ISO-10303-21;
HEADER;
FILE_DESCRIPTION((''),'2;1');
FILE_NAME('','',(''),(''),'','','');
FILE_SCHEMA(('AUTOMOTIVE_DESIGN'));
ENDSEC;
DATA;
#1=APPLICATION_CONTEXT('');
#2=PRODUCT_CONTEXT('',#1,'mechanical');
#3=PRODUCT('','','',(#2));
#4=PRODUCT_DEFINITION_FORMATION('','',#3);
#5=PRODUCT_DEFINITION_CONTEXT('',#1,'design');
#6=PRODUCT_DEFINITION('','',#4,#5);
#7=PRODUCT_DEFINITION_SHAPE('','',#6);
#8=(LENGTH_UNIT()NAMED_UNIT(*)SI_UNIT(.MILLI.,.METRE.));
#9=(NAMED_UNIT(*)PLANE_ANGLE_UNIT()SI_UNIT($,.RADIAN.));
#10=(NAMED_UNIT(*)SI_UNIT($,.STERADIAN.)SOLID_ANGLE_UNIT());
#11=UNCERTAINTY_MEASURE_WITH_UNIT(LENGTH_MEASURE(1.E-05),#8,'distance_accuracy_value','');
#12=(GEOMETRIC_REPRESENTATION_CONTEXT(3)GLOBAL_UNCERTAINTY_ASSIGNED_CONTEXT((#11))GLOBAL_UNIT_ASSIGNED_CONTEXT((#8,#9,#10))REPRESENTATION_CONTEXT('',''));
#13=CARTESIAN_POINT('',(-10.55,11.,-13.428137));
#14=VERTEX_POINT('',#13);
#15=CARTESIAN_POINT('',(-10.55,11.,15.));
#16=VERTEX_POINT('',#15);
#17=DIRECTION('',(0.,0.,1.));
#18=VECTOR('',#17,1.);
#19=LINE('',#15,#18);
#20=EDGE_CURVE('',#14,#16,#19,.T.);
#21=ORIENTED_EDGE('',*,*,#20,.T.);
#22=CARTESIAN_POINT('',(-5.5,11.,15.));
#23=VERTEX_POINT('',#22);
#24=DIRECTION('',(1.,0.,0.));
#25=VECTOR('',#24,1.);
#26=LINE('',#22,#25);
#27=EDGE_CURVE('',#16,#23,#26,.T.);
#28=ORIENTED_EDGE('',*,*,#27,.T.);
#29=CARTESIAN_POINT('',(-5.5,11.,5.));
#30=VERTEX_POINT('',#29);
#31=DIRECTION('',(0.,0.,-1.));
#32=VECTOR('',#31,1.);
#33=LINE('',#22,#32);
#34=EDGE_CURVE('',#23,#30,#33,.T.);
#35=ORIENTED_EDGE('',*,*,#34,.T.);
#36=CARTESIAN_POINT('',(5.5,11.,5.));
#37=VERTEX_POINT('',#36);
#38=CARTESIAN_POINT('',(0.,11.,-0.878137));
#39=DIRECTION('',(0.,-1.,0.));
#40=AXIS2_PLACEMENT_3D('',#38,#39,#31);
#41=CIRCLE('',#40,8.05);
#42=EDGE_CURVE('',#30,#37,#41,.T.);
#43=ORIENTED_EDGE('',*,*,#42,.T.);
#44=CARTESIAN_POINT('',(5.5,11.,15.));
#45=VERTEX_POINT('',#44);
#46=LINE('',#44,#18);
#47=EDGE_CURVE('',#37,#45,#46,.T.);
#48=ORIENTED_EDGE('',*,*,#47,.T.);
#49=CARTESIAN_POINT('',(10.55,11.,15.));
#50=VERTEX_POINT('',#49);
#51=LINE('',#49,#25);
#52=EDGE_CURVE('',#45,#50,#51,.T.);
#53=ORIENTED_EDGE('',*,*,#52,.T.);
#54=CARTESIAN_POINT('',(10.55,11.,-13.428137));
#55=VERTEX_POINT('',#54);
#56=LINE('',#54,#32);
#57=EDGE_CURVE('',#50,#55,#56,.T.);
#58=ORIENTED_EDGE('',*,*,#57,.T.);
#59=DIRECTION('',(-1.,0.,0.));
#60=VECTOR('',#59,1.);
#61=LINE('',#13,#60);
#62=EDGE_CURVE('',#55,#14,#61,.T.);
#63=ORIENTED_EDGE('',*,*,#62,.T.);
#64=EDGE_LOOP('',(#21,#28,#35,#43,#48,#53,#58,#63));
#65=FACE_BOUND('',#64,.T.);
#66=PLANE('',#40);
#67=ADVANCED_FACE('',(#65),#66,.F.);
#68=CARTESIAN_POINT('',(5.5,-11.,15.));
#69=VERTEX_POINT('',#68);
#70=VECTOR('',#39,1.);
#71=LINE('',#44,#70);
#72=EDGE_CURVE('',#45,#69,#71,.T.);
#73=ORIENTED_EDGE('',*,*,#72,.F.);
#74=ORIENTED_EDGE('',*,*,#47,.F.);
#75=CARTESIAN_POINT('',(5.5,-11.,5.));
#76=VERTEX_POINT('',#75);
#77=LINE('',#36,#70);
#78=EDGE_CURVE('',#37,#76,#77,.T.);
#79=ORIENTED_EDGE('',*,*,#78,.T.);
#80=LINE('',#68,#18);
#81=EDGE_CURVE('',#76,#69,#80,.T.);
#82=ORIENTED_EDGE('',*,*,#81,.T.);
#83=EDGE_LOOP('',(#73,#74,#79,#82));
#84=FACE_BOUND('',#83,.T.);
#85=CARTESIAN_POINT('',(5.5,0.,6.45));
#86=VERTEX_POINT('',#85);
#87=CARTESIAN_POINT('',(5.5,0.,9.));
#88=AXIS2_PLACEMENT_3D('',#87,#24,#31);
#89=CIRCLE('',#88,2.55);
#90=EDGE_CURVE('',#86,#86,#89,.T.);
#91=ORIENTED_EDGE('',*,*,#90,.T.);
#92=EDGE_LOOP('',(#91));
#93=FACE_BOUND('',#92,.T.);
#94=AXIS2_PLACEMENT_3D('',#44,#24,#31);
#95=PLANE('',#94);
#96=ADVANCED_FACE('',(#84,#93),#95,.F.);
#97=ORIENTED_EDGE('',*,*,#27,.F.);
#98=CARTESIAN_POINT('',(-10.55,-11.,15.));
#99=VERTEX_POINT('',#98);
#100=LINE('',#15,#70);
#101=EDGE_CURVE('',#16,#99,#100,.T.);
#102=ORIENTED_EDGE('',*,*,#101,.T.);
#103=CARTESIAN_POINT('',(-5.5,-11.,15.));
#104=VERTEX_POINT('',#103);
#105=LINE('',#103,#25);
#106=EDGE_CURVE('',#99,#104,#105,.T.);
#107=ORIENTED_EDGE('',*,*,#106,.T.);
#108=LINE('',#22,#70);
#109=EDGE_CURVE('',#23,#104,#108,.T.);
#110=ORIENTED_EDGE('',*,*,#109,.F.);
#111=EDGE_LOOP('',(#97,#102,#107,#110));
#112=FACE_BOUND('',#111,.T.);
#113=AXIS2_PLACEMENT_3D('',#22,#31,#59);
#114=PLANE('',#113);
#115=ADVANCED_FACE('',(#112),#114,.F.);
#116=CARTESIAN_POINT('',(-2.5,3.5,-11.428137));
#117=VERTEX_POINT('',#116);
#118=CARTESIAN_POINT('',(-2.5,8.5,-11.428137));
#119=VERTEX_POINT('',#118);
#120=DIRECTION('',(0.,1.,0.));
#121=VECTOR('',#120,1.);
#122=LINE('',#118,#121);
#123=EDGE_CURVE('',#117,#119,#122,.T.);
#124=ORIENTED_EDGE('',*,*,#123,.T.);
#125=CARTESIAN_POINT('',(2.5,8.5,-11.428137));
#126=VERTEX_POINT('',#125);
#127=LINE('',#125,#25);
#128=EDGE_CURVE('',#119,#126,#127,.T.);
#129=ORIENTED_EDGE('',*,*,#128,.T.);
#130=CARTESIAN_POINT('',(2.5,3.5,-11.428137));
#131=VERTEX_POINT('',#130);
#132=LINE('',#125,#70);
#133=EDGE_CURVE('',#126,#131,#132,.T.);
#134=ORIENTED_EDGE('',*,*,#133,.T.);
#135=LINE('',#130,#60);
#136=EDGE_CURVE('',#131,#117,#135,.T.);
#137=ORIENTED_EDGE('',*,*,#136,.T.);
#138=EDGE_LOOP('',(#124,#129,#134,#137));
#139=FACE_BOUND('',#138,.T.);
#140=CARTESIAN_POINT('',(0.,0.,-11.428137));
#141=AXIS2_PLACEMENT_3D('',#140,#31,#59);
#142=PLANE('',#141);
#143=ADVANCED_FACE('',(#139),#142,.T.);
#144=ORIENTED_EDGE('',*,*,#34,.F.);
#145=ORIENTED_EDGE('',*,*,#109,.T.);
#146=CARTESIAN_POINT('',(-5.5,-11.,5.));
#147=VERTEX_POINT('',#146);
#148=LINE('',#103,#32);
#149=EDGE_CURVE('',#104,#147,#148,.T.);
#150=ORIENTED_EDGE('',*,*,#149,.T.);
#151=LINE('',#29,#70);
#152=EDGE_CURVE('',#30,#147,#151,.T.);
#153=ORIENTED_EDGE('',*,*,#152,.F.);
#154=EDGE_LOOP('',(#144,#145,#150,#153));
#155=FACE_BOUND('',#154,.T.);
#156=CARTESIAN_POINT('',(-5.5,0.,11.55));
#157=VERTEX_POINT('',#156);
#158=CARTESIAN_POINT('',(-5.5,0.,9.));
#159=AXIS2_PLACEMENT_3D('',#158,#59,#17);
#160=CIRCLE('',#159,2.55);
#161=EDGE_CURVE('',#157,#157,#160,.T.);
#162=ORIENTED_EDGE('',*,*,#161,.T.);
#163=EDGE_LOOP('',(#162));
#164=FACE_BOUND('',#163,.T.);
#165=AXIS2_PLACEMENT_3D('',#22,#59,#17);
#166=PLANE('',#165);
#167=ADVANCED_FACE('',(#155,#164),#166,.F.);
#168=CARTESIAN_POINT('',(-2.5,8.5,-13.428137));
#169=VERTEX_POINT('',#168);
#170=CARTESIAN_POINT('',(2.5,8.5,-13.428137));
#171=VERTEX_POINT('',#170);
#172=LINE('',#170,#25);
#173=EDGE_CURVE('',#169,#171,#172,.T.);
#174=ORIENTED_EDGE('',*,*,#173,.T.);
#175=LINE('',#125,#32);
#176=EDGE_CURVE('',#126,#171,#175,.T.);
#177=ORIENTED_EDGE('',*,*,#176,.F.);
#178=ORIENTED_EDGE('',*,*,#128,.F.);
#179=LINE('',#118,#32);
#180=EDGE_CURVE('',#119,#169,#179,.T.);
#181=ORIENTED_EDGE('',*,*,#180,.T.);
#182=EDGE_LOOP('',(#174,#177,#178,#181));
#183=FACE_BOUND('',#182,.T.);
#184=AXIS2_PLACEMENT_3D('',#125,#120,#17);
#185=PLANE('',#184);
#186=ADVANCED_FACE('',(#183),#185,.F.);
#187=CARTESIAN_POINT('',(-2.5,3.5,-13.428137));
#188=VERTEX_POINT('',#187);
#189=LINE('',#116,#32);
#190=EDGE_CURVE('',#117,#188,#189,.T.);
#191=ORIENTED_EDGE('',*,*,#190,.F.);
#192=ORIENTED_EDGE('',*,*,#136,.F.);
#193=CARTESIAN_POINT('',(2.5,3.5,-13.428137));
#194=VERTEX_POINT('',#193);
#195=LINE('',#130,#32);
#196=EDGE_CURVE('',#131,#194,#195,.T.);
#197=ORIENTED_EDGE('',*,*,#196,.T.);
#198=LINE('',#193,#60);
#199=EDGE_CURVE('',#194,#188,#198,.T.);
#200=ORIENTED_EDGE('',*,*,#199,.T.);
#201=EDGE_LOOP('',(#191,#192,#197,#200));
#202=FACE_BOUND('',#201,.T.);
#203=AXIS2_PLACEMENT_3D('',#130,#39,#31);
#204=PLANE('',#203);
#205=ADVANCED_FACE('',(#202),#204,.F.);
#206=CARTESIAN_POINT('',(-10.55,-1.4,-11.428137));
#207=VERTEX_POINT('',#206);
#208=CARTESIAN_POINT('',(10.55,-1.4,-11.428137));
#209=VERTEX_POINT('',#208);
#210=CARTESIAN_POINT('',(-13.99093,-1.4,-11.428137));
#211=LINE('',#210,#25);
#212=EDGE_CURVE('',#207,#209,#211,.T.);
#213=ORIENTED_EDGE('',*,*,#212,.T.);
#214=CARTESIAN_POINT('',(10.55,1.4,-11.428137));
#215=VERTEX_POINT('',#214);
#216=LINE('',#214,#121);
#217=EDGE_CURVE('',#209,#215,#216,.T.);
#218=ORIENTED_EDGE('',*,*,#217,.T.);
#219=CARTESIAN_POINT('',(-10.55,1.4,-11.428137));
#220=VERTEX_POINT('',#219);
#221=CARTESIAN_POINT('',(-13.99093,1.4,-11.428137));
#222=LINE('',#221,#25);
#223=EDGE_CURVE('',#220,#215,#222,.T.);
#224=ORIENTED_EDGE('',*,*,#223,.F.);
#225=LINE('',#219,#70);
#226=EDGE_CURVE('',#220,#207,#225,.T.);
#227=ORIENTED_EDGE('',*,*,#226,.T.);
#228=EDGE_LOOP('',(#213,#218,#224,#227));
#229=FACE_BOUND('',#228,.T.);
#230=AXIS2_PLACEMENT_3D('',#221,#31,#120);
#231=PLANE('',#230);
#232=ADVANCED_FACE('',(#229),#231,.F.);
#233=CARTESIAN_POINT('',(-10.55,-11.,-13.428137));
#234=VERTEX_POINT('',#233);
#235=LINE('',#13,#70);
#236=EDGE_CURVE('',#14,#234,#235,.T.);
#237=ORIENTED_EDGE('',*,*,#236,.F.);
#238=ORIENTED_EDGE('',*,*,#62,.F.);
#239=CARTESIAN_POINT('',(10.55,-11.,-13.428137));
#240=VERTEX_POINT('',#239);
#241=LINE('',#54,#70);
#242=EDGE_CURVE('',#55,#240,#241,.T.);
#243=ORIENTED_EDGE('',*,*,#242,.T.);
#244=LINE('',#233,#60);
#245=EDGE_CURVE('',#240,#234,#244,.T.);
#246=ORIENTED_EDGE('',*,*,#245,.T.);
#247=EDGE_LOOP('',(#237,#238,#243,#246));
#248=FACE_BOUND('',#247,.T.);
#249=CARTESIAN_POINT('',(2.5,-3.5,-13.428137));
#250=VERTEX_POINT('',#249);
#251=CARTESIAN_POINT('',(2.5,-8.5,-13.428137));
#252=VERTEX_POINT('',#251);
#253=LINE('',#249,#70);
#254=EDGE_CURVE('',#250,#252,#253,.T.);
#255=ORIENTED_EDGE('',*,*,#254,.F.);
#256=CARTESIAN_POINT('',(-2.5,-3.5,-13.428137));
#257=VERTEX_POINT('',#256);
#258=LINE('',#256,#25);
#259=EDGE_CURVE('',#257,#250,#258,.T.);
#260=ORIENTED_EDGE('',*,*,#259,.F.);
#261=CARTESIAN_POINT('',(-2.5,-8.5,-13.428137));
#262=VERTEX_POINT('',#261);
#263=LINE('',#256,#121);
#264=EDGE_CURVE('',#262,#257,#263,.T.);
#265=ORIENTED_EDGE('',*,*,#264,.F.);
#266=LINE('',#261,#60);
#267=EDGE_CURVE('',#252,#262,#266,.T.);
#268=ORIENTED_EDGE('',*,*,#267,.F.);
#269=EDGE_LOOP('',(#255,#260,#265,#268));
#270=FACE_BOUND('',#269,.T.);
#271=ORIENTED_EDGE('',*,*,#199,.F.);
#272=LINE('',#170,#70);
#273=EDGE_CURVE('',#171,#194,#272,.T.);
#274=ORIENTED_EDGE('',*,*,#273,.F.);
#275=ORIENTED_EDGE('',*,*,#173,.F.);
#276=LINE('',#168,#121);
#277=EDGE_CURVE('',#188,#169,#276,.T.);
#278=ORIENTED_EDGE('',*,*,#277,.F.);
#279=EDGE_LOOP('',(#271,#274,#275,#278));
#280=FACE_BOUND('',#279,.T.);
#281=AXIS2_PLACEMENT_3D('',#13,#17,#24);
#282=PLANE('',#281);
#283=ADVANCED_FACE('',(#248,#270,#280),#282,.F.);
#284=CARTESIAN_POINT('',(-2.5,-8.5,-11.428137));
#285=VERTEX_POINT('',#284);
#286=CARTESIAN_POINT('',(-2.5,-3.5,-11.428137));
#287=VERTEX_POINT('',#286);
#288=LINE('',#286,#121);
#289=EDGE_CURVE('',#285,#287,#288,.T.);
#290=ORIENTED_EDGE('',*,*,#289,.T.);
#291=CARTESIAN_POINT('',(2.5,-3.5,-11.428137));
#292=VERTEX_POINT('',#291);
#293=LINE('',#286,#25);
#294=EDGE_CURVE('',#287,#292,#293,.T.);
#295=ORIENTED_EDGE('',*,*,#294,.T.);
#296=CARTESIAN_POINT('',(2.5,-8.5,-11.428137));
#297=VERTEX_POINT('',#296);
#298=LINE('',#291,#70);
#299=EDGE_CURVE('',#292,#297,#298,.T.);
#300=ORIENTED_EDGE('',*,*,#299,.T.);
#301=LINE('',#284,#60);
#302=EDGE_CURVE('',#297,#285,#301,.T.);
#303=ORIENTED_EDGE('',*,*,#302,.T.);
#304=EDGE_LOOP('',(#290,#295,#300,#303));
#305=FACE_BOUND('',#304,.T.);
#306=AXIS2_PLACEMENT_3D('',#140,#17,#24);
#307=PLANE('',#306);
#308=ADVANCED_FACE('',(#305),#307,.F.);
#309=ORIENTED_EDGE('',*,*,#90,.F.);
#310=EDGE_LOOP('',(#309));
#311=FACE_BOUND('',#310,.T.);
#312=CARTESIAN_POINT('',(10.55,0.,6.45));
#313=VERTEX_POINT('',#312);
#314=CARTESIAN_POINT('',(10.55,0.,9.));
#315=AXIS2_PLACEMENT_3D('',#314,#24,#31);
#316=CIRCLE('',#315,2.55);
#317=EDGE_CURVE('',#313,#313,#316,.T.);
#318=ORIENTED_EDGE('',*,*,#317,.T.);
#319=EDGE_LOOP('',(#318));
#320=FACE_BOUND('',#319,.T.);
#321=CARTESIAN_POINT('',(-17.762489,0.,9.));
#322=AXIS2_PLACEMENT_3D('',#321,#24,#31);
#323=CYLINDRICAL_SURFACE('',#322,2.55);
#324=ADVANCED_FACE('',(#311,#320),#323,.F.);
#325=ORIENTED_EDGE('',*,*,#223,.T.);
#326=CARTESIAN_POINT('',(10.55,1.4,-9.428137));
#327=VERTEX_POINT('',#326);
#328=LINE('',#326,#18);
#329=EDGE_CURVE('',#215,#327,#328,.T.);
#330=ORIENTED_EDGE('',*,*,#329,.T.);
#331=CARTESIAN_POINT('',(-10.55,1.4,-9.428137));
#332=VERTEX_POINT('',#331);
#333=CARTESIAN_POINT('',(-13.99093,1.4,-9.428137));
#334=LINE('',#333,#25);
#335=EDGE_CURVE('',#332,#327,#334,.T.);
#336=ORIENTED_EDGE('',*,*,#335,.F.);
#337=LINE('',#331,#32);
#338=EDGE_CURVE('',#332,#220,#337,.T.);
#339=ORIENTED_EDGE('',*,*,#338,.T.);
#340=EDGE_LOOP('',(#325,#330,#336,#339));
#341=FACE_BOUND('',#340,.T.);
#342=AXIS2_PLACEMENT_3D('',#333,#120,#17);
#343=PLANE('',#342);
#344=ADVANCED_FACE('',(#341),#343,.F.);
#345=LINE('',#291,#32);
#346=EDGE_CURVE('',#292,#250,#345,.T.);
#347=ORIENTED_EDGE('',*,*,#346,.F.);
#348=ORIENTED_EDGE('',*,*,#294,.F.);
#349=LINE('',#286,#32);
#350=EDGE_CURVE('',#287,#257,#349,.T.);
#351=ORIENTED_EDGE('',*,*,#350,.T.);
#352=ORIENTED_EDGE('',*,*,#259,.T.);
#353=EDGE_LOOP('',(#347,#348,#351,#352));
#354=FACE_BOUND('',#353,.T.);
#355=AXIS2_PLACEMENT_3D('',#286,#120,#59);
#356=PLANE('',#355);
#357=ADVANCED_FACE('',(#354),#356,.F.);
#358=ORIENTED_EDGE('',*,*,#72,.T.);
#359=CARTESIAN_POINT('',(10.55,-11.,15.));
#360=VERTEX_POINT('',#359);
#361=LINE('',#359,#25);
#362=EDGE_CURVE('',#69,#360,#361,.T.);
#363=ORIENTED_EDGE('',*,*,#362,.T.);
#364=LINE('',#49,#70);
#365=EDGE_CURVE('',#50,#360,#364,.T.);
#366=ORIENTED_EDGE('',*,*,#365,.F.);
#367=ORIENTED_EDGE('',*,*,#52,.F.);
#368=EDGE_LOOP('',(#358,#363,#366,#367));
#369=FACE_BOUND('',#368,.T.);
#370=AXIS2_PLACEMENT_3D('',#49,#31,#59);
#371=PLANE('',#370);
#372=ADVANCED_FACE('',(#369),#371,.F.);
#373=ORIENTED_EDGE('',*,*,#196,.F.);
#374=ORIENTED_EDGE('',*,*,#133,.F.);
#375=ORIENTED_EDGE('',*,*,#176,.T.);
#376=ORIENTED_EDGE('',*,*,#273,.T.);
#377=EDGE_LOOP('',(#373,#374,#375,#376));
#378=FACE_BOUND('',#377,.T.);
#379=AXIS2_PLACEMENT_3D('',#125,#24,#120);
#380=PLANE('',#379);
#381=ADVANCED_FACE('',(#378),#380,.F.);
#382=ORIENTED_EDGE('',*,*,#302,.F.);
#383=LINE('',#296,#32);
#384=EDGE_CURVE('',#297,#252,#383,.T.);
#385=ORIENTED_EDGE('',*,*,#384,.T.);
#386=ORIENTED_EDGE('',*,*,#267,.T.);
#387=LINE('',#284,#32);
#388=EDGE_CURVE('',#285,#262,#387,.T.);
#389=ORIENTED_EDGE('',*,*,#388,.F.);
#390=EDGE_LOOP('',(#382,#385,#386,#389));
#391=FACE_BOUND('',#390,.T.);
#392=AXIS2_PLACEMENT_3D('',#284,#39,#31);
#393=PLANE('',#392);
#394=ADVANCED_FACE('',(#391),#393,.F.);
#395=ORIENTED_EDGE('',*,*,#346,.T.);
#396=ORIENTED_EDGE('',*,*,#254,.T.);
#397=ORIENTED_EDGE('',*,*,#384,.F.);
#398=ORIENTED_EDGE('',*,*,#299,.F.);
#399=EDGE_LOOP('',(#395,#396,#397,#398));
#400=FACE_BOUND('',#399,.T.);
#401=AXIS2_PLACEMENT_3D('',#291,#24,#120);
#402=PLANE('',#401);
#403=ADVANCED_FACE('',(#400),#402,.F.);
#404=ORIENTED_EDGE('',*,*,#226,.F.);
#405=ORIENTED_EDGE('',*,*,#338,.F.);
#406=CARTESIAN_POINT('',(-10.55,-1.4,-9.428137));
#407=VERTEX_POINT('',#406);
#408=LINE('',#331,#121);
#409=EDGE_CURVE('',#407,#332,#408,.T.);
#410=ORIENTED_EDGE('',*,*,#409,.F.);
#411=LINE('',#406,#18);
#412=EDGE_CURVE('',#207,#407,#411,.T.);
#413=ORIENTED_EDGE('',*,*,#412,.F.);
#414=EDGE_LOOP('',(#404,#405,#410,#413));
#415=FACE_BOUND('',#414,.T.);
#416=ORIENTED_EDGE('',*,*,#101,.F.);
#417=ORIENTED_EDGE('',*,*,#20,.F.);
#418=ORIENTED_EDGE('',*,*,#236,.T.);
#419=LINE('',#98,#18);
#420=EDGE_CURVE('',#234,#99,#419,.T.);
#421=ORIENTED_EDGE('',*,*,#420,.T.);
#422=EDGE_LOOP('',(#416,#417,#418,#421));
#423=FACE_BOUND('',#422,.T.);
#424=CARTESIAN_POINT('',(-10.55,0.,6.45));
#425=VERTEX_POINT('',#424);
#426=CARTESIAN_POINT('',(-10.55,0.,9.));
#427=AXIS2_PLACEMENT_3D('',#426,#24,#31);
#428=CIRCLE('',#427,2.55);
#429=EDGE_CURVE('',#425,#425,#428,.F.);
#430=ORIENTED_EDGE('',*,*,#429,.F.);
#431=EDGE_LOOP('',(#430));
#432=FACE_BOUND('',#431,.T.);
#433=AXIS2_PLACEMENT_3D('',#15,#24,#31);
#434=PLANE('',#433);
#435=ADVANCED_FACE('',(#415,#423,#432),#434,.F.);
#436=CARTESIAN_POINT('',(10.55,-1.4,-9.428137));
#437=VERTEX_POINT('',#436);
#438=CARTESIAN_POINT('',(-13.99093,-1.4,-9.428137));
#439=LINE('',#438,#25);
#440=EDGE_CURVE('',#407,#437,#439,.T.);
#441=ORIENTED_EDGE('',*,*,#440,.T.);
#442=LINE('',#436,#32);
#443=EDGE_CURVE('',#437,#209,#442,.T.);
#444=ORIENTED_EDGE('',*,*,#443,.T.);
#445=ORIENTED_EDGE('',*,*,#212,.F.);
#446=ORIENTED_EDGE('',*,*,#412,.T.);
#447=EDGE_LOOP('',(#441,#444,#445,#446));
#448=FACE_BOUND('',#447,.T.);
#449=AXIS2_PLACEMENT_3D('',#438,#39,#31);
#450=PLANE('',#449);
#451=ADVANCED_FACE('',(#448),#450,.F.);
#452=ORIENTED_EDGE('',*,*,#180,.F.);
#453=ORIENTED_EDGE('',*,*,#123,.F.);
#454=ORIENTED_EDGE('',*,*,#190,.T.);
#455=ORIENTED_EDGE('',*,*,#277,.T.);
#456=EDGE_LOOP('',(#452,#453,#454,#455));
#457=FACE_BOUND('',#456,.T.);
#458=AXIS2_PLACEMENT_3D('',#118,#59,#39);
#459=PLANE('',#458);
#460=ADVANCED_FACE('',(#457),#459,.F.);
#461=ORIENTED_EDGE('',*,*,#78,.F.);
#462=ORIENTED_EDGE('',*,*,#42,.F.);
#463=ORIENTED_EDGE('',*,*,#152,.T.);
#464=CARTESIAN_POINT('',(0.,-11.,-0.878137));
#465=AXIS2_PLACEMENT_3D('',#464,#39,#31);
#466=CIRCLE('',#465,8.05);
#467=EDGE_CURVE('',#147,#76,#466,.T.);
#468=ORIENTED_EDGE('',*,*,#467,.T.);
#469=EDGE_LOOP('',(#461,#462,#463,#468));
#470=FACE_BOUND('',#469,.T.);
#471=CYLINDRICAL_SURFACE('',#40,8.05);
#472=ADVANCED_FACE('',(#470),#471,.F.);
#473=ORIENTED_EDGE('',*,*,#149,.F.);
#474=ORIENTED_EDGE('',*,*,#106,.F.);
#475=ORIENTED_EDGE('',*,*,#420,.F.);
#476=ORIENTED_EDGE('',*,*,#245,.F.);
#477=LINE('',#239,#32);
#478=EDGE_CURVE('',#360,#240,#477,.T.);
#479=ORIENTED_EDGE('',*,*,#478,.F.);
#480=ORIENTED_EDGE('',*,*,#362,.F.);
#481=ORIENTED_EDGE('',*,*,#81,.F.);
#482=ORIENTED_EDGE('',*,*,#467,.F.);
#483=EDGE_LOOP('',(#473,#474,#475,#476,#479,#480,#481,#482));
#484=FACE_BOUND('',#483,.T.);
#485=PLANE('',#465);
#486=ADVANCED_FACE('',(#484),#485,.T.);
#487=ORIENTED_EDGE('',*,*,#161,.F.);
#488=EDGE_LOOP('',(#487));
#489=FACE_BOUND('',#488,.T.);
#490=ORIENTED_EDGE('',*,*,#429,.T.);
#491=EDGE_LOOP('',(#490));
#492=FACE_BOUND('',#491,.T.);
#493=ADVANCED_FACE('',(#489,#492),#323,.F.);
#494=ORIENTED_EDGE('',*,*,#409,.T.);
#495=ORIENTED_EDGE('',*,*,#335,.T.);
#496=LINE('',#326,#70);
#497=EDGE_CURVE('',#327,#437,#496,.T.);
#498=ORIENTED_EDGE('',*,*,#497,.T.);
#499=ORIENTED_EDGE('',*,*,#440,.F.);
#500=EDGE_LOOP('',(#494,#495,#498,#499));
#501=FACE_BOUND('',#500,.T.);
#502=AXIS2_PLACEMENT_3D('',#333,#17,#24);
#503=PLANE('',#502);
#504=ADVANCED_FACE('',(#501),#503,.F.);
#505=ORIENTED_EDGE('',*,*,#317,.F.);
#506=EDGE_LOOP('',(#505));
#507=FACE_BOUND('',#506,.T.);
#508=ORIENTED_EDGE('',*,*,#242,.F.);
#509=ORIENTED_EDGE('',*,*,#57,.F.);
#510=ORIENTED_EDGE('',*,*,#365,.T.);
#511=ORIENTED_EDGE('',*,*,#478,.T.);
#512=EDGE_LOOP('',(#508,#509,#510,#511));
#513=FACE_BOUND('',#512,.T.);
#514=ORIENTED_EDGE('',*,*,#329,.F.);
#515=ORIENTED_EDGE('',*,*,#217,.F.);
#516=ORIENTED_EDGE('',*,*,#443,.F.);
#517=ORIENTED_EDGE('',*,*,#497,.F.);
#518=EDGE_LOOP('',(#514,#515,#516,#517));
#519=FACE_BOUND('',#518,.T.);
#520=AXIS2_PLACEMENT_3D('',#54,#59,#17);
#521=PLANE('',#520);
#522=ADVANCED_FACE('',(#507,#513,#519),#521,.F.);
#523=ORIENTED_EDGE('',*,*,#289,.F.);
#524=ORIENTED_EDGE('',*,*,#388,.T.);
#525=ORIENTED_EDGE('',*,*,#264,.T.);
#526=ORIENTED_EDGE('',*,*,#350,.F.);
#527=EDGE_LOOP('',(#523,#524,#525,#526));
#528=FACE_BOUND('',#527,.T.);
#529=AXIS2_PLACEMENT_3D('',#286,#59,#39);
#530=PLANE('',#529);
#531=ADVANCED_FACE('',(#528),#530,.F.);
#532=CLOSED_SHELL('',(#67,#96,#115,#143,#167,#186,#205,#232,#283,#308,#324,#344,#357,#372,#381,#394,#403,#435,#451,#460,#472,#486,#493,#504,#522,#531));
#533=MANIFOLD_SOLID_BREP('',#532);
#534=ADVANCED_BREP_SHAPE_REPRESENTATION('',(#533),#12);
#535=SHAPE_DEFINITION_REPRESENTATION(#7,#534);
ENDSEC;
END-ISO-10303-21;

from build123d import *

# Parameters (mm, degrees)
BOSS_EXTRUDE1_DEPTH = 11
CUT_EXTRUDE1_REACH  = 30.128
SKETCH2_R           = 2.55
SKETCH4_W           = 2
SKETCH4_H           = 2.8
CUT_EXTRUDE3_DEPTH  = 21.1
SKETCH5_W           = 5
SKETCH5_H           = 5
CUT_EXTRUDE5_DEPTH  = 2


with BuildPart() as part:
    # Sketch1 → Boss-Extrude1 (new, symmetric)
    with BuildSketch(Plane(origin=(0, 0, 0), x_dir=(1, 0, 0), z_dir=(0, 1, 0))):
        with BuildLine():
            Line((-5.5, -15), (-10.55, -15))
            Line((-10.55, -15), (-10.55, 13.42813746))
            Line((-10.55, 13.42813746), (10.55, 13.42813746))
            Line((10.55, 13.42813746), (10.55, -15))
            Line((10.55, -15), (5.5, -15))
            Line((5.5, -15), (5.5, -5))
            ThreePointArc((5.5, -5), (0, 8.92813746), (-5.5, -5))
            Line((-5.5, -5), (-5.5, -15))
        make_face()
    extrude(amount=BOSS_EXTRUDE1_DEPTH, both=True)

    # Cut-Extrude1: up to this face of the body (flat: up to its plane)
    cut_extrude1_end = Plane(part.part.faces().sort_by_distance((-10.55, 0, 0.78593127))[0])
    # Sketch2 → Cut-Extrude1 (cut, up to the picked face)
    with BuildSketch(Plane(origin=(10.55, 0, 0), x_dir=(0, 0, -1), z_dir=(1, 0, 0)), mode=Mode.PRIVATE) as cut_extrude1_sk1:
        with Locations((-9, 0)):
            Circle(SKETCH2_R)
    cut_extrude1_tool1 = split(extrude(cut_extrude1_sk1.sketch, amount=-CUT_EXTRUDE1_REACH, mode=Mode.PRIVATE), bisect_by=cut_extrude1_end, keep=Keep.BOTH, mode=Mode.PRIVATE)
    add(cut_extrude1_tool1.solids().sort_by(Axis((10.55, 0, 9), (-1, 0, 0)))[0], mode=Mode.SUBTRACT)

    # Sketch4 → Cut-Extrude3 (cut)
    with BuildSketch(Plane(origin=(10.55, 0, 0), x_dir=(0, 0, -1), z_dir=(1, 0, 0))):
        with Locations((10.42813746, 0)):
            Rectangle(SKETCH4_W, SKETCH4_H)
    extrude(amount=-CUT_EXTRUDE3_DEPTH, mode=Mode.SUBTRACT)

    # Sketch5 → Cut-Extrude5 (cut)
    with BuildSketch(Plane(origin=(0, 0, -13.42813746), x_dir=(-1, 0, 0), z_dir=(0, 0, -1))):
        with Locations((0, 6)):
            Rectangle(SKETCH5_W, SKETCH5_H)
        with Locations((0, -6)):
            Rectangle(SKETCH5_W, SKETCH5_H)
    extrude(amount=-CUT_EXTRUDE5_DEPTH, mode=Mode.SUBTRACT)


solid = part.part
